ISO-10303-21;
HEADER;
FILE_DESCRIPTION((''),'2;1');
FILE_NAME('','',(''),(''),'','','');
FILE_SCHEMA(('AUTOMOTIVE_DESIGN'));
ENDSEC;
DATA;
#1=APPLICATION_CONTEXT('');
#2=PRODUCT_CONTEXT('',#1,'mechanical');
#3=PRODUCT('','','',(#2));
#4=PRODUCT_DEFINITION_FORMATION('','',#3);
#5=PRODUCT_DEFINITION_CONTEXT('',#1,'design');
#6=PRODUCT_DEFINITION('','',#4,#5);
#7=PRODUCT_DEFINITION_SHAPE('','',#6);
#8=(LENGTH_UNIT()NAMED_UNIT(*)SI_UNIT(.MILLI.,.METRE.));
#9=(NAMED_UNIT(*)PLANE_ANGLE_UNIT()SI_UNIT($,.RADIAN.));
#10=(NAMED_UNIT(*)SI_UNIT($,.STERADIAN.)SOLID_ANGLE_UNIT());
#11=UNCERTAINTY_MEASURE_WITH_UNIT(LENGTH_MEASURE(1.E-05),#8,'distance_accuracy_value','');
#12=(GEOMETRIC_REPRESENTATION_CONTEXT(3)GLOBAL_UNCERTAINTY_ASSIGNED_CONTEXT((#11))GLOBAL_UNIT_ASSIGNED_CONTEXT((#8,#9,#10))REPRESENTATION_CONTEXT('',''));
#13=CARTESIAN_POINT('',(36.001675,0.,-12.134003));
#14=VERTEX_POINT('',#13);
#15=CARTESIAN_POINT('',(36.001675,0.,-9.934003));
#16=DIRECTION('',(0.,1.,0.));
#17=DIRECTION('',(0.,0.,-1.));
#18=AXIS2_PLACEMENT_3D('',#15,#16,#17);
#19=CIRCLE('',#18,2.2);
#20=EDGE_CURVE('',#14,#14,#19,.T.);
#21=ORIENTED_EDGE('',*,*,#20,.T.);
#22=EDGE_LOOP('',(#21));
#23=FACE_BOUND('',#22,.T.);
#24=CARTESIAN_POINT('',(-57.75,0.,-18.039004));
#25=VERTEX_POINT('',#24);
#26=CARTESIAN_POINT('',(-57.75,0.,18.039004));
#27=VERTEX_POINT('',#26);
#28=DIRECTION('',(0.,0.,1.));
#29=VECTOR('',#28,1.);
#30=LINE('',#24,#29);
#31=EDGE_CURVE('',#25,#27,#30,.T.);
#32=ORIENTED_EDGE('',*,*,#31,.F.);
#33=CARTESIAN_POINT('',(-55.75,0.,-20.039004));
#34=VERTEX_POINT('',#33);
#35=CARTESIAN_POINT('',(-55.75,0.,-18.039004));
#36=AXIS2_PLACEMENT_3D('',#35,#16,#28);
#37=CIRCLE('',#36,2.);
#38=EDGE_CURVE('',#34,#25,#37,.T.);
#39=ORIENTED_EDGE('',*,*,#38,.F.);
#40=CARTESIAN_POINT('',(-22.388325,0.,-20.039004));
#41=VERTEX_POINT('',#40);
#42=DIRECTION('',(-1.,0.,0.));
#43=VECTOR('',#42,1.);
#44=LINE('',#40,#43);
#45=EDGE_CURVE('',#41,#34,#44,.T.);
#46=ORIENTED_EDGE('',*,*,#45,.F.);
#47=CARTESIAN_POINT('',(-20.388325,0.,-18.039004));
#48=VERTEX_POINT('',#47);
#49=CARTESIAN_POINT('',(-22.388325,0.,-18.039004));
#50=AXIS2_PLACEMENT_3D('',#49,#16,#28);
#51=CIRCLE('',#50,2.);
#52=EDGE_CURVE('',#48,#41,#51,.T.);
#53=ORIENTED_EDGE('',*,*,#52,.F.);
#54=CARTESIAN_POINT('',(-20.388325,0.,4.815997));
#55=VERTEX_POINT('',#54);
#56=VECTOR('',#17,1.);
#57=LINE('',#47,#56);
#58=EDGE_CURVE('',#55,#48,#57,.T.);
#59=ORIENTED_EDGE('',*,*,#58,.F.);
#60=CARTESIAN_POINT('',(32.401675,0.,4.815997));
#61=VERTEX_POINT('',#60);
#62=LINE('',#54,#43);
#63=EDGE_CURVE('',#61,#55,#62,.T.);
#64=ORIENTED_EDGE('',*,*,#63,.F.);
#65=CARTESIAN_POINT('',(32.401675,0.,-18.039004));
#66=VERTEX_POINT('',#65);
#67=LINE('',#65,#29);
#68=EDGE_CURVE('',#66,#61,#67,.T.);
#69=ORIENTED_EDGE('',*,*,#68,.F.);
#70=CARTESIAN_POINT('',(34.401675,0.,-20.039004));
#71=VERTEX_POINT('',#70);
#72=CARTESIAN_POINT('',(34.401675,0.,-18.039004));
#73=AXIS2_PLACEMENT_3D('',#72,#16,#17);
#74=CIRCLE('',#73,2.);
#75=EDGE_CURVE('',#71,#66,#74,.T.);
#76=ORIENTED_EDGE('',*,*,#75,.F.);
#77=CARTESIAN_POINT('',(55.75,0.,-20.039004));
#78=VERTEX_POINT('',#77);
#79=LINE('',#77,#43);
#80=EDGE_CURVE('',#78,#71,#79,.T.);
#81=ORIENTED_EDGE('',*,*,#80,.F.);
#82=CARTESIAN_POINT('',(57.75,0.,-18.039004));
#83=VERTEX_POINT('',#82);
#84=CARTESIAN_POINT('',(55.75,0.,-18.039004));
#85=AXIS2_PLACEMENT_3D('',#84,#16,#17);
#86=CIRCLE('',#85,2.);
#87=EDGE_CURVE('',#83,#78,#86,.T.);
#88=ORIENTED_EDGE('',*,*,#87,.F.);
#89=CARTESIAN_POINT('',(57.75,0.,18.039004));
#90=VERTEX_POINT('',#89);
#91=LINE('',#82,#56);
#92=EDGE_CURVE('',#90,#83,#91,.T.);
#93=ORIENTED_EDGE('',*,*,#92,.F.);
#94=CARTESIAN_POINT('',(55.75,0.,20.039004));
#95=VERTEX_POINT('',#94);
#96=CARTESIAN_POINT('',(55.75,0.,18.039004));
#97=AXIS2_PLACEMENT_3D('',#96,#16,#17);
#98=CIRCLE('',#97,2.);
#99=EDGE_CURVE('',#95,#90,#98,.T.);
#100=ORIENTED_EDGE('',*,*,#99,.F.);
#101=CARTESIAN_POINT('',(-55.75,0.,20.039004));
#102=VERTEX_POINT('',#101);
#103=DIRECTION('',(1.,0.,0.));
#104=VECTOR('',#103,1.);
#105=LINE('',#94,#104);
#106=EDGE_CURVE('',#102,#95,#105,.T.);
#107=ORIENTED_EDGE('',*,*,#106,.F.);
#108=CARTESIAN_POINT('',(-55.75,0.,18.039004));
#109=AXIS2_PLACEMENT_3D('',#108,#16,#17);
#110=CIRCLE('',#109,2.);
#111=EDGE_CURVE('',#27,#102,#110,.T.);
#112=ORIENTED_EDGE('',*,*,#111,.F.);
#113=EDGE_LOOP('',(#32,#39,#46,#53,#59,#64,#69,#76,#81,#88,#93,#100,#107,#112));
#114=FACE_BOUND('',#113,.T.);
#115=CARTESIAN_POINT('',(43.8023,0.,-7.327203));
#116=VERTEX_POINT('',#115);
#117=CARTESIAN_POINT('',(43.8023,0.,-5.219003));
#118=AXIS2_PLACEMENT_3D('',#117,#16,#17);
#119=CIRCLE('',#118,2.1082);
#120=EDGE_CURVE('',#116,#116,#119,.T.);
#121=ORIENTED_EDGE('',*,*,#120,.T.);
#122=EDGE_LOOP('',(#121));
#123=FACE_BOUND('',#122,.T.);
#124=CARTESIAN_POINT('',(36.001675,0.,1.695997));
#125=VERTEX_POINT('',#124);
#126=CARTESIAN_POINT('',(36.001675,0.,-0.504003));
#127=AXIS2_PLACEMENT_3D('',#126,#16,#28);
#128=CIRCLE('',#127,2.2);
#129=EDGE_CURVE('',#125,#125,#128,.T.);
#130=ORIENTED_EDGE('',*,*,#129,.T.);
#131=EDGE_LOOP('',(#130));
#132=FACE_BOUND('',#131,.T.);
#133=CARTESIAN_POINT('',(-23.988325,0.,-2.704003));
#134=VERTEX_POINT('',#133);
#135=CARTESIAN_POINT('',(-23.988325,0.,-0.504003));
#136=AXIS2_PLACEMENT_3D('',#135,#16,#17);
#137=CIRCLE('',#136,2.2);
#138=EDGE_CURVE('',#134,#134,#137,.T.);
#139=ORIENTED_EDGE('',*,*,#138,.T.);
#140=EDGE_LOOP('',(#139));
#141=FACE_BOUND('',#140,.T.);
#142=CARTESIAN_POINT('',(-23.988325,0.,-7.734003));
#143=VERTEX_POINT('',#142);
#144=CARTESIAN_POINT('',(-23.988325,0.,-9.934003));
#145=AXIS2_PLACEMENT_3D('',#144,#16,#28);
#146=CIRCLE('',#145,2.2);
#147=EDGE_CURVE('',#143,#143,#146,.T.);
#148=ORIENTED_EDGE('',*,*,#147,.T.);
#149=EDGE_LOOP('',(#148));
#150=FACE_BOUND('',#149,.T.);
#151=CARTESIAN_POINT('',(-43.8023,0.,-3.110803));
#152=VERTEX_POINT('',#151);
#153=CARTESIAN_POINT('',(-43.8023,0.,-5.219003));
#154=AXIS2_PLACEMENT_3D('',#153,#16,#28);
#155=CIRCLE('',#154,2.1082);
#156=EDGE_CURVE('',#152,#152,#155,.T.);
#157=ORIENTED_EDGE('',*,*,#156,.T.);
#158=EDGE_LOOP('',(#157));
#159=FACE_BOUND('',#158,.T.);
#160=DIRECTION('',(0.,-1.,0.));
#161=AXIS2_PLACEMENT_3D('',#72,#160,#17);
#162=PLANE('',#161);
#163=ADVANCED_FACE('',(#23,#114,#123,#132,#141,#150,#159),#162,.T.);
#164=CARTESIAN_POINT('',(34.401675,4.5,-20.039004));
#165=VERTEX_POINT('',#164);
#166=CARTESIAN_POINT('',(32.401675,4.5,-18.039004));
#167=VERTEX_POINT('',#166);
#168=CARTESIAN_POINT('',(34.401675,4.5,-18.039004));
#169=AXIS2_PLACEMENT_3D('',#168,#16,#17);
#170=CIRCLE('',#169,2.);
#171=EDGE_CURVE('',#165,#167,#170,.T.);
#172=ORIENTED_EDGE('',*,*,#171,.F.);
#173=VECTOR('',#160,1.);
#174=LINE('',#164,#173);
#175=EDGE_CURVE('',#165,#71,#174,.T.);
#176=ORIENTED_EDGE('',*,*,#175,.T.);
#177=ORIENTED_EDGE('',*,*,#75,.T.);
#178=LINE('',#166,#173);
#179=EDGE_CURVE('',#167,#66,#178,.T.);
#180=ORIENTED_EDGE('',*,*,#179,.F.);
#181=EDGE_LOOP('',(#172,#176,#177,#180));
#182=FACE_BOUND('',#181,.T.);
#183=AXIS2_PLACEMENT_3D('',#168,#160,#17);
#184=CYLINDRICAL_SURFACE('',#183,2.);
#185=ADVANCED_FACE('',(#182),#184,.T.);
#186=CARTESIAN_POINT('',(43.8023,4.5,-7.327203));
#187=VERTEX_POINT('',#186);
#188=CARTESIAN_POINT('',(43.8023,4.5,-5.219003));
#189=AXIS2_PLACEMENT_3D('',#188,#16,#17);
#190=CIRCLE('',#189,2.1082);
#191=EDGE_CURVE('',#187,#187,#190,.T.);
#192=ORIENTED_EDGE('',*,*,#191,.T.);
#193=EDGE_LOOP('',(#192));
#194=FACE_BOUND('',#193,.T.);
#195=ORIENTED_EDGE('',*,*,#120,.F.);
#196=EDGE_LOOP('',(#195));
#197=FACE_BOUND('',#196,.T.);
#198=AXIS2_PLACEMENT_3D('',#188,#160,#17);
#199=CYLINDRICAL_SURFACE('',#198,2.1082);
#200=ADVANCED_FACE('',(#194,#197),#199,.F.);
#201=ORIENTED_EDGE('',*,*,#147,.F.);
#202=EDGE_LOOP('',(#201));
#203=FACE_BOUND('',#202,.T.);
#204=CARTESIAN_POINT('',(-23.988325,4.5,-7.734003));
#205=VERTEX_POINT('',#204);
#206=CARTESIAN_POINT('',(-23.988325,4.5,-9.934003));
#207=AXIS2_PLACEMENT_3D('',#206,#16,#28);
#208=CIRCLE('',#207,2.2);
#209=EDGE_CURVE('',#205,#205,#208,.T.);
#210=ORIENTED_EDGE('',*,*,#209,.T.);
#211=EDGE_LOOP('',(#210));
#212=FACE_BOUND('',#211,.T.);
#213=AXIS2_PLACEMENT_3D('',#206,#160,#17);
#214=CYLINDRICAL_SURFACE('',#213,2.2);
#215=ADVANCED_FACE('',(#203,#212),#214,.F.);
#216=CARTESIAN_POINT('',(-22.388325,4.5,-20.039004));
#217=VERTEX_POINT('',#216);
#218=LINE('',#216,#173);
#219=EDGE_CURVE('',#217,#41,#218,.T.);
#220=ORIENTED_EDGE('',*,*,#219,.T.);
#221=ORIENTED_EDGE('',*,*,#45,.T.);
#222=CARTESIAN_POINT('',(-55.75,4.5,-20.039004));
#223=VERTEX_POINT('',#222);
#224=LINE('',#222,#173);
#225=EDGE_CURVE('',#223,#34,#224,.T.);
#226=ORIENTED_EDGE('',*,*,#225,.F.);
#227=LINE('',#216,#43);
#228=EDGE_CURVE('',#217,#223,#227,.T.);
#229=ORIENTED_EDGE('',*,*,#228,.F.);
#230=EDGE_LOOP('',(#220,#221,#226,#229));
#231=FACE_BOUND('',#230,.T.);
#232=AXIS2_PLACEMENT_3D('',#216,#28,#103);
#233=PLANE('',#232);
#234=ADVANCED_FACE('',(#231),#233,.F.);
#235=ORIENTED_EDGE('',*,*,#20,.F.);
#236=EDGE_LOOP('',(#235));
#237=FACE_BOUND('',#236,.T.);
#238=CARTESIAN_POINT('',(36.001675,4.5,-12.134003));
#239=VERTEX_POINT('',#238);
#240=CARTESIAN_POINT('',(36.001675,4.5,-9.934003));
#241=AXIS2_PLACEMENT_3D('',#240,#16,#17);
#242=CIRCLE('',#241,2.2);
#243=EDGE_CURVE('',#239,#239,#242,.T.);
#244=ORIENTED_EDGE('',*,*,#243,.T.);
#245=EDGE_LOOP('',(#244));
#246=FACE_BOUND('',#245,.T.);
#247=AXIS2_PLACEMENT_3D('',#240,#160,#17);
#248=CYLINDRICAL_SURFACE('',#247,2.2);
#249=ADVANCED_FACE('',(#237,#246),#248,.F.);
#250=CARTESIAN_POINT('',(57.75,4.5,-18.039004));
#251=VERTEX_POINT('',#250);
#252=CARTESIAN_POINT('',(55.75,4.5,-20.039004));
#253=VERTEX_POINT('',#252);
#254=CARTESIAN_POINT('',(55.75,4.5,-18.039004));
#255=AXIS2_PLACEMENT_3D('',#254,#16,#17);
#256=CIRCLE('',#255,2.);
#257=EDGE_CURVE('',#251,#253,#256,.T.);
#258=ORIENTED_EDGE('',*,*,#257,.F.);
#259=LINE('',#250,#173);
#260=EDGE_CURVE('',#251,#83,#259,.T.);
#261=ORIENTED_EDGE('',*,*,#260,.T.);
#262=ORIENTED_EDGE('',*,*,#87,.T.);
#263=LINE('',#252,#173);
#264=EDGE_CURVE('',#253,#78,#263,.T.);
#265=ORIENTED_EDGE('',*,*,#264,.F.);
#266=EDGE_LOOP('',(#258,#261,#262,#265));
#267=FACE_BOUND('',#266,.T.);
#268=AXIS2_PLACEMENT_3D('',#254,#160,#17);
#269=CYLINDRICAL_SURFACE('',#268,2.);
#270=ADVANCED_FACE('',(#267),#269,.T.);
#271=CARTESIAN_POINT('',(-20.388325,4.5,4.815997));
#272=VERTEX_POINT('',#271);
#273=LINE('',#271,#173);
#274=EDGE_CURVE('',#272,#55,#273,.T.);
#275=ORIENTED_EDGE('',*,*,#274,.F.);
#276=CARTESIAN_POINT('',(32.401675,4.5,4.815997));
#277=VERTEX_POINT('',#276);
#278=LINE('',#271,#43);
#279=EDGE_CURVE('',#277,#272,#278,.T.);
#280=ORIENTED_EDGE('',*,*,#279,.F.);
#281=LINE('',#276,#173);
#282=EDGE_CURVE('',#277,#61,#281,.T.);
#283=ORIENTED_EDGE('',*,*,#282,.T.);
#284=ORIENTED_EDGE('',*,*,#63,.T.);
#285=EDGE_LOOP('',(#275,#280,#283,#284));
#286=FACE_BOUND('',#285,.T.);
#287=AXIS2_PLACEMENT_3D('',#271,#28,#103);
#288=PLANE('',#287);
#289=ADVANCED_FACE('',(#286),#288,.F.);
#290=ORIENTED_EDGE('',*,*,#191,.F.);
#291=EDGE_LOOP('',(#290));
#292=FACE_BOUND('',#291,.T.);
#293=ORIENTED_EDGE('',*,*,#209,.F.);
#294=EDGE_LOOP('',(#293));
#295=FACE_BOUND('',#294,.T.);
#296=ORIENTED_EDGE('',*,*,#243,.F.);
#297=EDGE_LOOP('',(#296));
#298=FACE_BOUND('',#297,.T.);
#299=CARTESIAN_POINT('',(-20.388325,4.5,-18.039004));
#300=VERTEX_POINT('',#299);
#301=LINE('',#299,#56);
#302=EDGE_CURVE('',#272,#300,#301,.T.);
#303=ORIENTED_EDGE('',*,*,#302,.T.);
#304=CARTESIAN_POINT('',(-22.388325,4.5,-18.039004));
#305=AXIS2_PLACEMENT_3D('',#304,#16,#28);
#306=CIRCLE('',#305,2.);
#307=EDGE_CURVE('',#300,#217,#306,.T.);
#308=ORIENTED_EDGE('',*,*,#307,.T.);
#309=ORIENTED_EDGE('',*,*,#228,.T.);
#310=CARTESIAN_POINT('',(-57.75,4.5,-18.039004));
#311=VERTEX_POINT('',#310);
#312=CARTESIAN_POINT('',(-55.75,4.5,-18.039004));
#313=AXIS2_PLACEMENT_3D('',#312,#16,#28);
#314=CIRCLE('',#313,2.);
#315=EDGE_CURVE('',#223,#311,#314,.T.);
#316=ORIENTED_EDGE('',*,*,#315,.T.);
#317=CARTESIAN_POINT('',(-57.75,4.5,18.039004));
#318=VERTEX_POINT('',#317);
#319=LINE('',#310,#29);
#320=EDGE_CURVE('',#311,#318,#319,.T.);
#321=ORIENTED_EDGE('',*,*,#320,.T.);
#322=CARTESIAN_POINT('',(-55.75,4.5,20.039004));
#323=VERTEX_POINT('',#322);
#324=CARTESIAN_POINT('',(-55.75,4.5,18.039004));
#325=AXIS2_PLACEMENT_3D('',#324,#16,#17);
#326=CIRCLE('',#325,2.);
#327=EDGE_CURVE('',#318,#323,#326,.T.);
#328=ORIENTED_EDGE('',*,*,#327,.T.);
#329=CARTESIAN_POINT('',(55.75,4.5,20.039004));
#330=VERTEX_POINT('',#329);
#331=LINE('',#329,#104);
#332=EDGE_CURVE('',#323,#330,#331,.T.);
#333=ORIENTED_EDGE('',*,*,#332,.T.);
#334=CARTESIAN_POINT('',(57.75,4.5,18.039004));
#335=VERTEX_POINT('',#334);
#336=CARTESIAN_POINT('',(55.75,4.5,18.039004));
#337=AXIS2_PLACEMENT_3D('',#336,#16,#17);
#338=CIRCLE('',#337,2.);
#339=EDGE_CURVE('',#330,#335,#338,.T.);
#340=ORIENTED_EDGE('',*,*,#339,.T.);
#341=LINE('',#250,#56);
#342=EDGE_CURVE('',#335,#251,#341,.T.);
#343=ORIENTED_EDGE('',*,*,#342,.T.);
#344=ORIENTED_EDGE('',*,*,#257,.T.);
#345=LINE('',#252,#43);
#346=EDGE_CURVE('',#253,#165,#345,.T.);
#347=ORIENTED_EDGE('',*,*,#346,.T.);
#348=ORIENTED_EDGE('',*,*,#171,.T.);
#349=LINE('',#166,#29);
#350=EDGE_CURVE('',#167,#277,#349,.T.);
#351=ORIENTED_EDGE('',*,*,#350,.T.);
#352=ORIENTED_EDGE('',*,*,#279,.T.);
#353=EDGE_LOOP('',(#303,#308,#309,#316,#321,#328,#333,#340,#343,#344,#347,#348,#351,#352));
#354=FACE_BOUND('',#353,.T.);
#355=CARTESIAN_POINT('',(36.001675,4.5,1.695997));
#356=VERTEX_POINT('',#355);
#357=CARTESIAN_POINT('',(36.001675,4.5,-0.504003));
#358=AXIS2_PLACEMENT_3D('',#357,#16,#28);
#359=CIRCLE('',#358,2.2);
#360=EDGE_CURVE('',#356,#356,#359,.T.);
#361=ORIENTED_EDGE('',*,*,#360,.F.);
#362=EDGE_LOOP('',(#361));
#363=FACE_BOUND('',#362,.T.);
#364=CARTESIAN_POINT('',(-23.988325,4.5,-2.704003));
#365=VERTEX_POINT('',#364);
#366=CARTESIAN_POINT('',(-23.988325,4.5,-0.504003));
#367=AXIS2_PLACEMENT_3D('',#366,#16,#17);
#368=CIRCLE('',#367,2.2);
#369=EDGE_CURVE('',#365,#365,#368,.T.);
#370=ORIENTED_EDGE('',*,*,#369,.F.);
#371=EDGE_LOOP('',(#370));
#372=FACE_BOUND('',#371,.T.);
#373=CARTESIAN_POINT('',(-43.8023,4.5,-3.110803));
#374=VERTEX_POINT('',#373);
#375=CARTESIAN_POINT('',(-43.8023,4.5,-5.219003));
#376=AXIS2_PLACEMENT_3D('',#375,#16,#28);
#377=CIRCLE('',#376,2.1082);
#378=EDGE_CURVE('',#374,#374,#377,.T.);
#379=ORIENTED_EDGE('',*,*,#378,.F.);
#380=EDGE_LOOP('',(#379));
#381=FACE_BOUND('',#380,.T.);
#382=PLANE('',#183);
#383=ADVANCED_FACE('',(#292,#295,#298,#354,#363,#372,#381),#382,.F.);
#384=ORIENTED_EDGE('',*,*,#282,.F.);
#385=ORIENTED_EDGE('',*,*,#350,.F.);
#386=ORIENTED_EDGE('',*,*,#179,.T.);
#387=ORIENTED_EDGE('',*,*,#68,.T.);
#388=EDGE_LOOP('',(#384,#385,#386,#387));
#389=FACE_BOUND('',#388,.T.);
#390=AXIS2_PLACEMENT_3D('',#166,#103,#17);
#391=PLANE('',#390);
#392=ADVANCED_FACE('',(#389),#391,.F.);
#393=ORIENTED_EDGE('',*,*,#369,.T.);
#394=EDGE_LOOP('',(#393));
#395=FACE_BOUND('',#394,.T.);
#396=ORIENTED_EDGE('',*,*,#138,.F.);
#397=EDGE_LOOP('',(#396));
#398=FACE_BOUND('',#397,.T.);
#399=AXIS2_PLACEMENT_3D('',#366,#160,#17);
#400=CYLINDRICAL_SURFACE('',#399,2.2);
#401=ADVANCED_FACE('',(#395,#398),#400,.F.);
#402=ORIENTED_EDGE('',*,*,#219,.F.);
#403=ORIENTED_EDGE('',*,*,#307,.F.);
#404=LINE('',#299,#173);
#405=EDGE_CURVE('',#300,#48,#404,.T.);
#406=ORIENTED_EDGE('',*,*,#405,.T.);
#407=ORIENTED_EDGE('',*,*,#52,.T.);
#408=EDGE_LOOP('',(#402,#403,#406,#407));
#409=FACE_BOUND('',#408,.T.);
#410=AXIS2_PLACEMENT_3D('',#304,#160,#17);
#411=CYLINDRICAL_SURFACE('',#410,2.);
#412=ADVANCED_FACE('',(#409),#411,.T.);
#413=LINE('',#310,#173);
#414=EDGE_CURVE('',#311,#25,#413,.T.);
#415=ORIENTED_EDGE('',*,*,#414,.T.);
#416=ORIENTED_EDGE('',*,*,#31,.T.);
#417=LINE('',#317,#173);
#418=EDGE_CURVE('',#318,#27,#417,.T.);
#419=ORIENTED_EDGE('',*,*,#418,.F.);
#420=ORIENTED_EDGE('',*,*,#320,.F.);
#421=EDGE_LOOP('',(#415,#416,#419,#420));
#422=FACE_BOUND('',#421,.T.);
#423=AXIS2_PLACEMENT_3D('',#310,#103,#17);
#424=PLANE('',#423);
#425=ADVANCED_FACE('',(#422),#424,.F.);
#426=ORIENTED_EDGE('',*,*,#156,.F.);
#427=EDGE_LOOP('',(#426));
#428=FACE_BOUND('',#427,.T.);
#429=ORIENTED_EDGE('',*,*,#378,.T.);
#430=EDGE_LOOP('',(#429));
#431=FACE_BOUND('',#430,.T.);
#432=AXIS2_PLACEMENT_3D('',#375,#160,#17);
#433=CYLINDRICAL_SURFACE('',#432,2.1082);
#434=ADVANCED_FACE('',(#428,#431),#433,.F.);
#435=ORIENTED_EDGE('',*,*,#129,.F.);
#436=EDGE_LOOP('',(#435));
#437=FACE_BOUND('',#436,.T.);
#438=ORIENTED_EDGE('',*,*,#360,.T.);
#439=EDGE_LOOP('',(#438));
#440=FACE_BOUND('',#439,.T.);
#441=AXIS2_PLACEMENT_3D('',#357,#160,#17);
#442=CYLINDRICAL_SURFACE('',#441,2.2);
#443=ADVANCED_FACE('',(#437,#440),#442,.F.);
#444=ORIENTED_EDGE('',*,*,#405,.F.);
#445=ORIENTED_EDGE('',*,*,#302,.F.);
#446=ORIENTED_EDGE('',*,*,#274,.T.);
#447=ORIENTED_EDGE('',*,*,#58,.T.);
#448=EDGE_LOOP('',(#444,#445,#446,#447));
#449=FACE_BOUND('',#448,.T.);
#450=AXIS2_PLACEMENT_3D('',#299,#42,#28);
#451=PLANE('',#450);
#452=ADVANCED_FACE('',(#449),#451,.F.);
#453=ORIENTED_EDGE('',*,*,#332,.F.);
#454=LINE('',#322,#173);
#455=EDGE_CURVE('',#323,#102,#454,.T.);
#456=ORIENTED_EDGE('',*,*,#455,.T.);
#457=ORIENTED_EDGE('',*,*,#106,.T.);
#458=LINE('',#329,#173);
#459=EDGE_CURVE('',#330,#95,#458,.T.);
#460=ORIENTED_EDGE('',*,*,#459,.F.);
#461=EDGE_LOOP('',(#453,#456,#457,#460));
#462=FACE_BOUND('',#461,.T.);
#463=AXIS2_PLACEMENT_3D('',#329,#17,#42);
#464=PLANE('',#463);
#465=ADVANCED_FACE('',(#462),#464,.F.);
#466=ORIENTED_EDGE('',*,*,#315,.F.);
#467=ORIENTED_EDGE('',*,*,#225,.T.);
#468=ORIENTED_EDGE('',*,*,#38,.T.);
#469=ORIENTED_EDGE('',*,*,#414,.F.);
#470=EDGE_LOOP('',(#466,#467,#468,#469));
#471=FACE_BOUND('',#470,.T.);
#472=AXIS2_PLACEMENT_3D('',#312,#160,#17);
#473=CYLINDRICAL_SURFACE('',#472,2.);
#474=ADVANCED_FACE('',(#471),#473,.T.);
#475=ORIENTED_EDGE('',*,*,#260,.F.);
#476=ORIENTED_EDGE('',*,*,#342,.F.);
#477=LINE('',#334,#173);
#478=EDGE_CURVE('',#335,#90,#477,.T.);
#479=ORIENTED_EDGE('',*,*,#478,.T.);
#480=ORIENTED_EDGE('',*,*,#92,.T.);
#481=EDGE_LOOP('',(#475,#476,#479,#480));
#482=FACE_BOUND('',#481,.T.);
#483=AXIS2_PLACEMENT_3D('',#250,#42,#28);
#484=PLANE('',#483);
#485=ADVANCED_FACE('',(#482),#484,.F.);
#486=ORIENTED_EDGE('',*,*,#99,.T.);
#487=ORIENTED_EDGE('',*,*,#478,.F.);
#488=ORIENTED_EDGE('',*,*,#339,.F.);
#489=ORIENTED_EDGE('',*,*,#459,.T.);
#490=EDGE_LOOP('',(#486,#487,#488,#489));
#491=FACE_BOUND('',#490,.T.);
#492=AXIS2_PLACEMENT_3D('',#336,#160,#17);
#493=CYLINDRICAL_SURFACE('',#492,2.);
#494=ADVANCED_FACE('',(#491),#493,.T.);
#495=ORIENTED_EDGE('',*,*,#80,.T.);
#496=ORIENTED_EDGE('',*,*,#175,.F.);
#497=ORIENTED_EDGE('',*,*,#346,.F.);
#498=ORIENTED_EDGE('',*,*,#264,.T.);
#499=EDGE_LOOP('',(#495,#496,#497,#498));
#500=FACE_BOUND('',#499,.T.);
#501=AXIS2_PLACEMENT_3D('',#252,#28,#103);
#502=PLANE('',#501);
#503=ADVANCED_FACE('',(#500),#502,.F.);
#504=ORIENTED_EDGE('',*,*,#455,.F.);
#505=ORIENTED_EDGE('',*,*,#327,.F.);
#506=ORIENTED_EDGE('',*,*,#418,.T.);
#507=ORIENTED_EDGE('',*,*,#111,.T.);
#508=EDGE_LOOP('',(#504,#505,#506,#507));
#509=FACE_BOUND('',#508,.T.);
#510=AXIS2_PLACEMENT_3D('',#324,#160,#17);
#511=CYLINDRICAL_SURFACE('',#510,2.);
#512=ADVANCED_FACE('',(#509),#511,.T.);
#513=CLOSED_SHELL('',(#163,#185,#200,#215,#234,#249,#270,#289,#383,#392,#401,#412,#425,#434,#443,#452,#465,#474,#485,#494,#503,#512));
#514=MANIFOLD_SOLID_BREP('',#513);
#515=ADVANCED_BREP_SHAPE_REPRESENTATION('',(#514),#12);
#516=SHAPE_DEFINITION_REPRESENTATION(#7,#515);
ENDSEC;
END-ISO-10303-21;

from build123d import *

# Parameters (mm, degrees)
SKETCH1_R           = 2.1082
SKETCH1_R_2         = 2.2
BOSS_EXTRUDE1_DEPTH = 4.5


with BuildPart() as part:
    # Sketch1 → Boss-Extrude1 (new body)
    with BuildSketch(Plane(origin=(0, 0, 0), x_dir=(1, 0, 0), z_dir=(0, 1, 0))):
        with BuildLine():
            Line((55.75, 20.03900351), (34.40167516, 20.03900351))
            ThreePointArc((34.40167516, 20.03900351), (32.987461598, 19.453217073), (32.40167516, 18.03900351))
            Line((32.40167516, 18.03900351), (32.40167516, -4.815996568))
            Line((32.40167516, -4.815996568), (-20.38832484, -4.815996568))
            Line((-20.38832484, -4.815996568), (-20.38832484, 18.03900351))
            ThreePointArc((-20.38832484, 18.03900351), (-20.974111278, 19.453217073), (-22.38832484, 20.03900351))
            Line((-22.38832484, 20.03900351), (-55.75, 20.03900351))
            ThreePointArc((-55.75, 20.03900351), (-57.164213562, 19.453217073), (-57.75, 18.03900351))
            Line((-57.75, 18.03900351), (-57.75, -18.03900351))
            ThreePointArc((-57.75, -18.03900351), (-57.164213562, -19.453217073), (-55.75, -20.03900351))
            Line((-55.75, -20.03900351), (55.75, -20.03900351))
            ThreePointArc((55.75, -20.03900351), (57.164213562, -19.453217073), (57.75, -18.03900351))
            Line((57.75, -18.03900351), (57.75, 18.03900351))
            ThreePointArc((57.75, 18.03900351), (57.164213562, 19.453217073), (55.75, 20.03900351))
        make_face()
        with Locations(Location((-43.8023, 5.219003432, 0), (0, 0, 270))):
            Circle(SKETCH1_R, mode=Mode.SUBTRACT)
        with Locations(Location((43.8023, 5.219003432, 0), (0, 0, 90))):
            Circle(SKETCH1_R, mode=Mode.SUBTRACT)
        with Locations(Location((-23.988324752, 9.934003432, 0), (0, 0, 270))):
            Circle(SKETCH1_R_2, mode=Mode.SUBTRACT)
        with Locations(Location((36.001675072, 9.934003432, 0), (0, 0, 90))):
            Circle(SKETCH1_R_2, mode=Mode.SUBTRACT)
        with Locations(Location((36.001675072, 0.504003432, 0), (0, 0, 270))):
            Circle(SKETCH1_R_2, mode=Mode.SUBTRACT)
        with Locations(Location((-23.988324752, 0.504003432, 0), (0, 0, 90))):
            Circle(SKETCH1_R_2, mode=Mode.SUBTRACT)
    extrude(amount=BOSS_EXTRUDE1_DEPTH)


solid = part.part
